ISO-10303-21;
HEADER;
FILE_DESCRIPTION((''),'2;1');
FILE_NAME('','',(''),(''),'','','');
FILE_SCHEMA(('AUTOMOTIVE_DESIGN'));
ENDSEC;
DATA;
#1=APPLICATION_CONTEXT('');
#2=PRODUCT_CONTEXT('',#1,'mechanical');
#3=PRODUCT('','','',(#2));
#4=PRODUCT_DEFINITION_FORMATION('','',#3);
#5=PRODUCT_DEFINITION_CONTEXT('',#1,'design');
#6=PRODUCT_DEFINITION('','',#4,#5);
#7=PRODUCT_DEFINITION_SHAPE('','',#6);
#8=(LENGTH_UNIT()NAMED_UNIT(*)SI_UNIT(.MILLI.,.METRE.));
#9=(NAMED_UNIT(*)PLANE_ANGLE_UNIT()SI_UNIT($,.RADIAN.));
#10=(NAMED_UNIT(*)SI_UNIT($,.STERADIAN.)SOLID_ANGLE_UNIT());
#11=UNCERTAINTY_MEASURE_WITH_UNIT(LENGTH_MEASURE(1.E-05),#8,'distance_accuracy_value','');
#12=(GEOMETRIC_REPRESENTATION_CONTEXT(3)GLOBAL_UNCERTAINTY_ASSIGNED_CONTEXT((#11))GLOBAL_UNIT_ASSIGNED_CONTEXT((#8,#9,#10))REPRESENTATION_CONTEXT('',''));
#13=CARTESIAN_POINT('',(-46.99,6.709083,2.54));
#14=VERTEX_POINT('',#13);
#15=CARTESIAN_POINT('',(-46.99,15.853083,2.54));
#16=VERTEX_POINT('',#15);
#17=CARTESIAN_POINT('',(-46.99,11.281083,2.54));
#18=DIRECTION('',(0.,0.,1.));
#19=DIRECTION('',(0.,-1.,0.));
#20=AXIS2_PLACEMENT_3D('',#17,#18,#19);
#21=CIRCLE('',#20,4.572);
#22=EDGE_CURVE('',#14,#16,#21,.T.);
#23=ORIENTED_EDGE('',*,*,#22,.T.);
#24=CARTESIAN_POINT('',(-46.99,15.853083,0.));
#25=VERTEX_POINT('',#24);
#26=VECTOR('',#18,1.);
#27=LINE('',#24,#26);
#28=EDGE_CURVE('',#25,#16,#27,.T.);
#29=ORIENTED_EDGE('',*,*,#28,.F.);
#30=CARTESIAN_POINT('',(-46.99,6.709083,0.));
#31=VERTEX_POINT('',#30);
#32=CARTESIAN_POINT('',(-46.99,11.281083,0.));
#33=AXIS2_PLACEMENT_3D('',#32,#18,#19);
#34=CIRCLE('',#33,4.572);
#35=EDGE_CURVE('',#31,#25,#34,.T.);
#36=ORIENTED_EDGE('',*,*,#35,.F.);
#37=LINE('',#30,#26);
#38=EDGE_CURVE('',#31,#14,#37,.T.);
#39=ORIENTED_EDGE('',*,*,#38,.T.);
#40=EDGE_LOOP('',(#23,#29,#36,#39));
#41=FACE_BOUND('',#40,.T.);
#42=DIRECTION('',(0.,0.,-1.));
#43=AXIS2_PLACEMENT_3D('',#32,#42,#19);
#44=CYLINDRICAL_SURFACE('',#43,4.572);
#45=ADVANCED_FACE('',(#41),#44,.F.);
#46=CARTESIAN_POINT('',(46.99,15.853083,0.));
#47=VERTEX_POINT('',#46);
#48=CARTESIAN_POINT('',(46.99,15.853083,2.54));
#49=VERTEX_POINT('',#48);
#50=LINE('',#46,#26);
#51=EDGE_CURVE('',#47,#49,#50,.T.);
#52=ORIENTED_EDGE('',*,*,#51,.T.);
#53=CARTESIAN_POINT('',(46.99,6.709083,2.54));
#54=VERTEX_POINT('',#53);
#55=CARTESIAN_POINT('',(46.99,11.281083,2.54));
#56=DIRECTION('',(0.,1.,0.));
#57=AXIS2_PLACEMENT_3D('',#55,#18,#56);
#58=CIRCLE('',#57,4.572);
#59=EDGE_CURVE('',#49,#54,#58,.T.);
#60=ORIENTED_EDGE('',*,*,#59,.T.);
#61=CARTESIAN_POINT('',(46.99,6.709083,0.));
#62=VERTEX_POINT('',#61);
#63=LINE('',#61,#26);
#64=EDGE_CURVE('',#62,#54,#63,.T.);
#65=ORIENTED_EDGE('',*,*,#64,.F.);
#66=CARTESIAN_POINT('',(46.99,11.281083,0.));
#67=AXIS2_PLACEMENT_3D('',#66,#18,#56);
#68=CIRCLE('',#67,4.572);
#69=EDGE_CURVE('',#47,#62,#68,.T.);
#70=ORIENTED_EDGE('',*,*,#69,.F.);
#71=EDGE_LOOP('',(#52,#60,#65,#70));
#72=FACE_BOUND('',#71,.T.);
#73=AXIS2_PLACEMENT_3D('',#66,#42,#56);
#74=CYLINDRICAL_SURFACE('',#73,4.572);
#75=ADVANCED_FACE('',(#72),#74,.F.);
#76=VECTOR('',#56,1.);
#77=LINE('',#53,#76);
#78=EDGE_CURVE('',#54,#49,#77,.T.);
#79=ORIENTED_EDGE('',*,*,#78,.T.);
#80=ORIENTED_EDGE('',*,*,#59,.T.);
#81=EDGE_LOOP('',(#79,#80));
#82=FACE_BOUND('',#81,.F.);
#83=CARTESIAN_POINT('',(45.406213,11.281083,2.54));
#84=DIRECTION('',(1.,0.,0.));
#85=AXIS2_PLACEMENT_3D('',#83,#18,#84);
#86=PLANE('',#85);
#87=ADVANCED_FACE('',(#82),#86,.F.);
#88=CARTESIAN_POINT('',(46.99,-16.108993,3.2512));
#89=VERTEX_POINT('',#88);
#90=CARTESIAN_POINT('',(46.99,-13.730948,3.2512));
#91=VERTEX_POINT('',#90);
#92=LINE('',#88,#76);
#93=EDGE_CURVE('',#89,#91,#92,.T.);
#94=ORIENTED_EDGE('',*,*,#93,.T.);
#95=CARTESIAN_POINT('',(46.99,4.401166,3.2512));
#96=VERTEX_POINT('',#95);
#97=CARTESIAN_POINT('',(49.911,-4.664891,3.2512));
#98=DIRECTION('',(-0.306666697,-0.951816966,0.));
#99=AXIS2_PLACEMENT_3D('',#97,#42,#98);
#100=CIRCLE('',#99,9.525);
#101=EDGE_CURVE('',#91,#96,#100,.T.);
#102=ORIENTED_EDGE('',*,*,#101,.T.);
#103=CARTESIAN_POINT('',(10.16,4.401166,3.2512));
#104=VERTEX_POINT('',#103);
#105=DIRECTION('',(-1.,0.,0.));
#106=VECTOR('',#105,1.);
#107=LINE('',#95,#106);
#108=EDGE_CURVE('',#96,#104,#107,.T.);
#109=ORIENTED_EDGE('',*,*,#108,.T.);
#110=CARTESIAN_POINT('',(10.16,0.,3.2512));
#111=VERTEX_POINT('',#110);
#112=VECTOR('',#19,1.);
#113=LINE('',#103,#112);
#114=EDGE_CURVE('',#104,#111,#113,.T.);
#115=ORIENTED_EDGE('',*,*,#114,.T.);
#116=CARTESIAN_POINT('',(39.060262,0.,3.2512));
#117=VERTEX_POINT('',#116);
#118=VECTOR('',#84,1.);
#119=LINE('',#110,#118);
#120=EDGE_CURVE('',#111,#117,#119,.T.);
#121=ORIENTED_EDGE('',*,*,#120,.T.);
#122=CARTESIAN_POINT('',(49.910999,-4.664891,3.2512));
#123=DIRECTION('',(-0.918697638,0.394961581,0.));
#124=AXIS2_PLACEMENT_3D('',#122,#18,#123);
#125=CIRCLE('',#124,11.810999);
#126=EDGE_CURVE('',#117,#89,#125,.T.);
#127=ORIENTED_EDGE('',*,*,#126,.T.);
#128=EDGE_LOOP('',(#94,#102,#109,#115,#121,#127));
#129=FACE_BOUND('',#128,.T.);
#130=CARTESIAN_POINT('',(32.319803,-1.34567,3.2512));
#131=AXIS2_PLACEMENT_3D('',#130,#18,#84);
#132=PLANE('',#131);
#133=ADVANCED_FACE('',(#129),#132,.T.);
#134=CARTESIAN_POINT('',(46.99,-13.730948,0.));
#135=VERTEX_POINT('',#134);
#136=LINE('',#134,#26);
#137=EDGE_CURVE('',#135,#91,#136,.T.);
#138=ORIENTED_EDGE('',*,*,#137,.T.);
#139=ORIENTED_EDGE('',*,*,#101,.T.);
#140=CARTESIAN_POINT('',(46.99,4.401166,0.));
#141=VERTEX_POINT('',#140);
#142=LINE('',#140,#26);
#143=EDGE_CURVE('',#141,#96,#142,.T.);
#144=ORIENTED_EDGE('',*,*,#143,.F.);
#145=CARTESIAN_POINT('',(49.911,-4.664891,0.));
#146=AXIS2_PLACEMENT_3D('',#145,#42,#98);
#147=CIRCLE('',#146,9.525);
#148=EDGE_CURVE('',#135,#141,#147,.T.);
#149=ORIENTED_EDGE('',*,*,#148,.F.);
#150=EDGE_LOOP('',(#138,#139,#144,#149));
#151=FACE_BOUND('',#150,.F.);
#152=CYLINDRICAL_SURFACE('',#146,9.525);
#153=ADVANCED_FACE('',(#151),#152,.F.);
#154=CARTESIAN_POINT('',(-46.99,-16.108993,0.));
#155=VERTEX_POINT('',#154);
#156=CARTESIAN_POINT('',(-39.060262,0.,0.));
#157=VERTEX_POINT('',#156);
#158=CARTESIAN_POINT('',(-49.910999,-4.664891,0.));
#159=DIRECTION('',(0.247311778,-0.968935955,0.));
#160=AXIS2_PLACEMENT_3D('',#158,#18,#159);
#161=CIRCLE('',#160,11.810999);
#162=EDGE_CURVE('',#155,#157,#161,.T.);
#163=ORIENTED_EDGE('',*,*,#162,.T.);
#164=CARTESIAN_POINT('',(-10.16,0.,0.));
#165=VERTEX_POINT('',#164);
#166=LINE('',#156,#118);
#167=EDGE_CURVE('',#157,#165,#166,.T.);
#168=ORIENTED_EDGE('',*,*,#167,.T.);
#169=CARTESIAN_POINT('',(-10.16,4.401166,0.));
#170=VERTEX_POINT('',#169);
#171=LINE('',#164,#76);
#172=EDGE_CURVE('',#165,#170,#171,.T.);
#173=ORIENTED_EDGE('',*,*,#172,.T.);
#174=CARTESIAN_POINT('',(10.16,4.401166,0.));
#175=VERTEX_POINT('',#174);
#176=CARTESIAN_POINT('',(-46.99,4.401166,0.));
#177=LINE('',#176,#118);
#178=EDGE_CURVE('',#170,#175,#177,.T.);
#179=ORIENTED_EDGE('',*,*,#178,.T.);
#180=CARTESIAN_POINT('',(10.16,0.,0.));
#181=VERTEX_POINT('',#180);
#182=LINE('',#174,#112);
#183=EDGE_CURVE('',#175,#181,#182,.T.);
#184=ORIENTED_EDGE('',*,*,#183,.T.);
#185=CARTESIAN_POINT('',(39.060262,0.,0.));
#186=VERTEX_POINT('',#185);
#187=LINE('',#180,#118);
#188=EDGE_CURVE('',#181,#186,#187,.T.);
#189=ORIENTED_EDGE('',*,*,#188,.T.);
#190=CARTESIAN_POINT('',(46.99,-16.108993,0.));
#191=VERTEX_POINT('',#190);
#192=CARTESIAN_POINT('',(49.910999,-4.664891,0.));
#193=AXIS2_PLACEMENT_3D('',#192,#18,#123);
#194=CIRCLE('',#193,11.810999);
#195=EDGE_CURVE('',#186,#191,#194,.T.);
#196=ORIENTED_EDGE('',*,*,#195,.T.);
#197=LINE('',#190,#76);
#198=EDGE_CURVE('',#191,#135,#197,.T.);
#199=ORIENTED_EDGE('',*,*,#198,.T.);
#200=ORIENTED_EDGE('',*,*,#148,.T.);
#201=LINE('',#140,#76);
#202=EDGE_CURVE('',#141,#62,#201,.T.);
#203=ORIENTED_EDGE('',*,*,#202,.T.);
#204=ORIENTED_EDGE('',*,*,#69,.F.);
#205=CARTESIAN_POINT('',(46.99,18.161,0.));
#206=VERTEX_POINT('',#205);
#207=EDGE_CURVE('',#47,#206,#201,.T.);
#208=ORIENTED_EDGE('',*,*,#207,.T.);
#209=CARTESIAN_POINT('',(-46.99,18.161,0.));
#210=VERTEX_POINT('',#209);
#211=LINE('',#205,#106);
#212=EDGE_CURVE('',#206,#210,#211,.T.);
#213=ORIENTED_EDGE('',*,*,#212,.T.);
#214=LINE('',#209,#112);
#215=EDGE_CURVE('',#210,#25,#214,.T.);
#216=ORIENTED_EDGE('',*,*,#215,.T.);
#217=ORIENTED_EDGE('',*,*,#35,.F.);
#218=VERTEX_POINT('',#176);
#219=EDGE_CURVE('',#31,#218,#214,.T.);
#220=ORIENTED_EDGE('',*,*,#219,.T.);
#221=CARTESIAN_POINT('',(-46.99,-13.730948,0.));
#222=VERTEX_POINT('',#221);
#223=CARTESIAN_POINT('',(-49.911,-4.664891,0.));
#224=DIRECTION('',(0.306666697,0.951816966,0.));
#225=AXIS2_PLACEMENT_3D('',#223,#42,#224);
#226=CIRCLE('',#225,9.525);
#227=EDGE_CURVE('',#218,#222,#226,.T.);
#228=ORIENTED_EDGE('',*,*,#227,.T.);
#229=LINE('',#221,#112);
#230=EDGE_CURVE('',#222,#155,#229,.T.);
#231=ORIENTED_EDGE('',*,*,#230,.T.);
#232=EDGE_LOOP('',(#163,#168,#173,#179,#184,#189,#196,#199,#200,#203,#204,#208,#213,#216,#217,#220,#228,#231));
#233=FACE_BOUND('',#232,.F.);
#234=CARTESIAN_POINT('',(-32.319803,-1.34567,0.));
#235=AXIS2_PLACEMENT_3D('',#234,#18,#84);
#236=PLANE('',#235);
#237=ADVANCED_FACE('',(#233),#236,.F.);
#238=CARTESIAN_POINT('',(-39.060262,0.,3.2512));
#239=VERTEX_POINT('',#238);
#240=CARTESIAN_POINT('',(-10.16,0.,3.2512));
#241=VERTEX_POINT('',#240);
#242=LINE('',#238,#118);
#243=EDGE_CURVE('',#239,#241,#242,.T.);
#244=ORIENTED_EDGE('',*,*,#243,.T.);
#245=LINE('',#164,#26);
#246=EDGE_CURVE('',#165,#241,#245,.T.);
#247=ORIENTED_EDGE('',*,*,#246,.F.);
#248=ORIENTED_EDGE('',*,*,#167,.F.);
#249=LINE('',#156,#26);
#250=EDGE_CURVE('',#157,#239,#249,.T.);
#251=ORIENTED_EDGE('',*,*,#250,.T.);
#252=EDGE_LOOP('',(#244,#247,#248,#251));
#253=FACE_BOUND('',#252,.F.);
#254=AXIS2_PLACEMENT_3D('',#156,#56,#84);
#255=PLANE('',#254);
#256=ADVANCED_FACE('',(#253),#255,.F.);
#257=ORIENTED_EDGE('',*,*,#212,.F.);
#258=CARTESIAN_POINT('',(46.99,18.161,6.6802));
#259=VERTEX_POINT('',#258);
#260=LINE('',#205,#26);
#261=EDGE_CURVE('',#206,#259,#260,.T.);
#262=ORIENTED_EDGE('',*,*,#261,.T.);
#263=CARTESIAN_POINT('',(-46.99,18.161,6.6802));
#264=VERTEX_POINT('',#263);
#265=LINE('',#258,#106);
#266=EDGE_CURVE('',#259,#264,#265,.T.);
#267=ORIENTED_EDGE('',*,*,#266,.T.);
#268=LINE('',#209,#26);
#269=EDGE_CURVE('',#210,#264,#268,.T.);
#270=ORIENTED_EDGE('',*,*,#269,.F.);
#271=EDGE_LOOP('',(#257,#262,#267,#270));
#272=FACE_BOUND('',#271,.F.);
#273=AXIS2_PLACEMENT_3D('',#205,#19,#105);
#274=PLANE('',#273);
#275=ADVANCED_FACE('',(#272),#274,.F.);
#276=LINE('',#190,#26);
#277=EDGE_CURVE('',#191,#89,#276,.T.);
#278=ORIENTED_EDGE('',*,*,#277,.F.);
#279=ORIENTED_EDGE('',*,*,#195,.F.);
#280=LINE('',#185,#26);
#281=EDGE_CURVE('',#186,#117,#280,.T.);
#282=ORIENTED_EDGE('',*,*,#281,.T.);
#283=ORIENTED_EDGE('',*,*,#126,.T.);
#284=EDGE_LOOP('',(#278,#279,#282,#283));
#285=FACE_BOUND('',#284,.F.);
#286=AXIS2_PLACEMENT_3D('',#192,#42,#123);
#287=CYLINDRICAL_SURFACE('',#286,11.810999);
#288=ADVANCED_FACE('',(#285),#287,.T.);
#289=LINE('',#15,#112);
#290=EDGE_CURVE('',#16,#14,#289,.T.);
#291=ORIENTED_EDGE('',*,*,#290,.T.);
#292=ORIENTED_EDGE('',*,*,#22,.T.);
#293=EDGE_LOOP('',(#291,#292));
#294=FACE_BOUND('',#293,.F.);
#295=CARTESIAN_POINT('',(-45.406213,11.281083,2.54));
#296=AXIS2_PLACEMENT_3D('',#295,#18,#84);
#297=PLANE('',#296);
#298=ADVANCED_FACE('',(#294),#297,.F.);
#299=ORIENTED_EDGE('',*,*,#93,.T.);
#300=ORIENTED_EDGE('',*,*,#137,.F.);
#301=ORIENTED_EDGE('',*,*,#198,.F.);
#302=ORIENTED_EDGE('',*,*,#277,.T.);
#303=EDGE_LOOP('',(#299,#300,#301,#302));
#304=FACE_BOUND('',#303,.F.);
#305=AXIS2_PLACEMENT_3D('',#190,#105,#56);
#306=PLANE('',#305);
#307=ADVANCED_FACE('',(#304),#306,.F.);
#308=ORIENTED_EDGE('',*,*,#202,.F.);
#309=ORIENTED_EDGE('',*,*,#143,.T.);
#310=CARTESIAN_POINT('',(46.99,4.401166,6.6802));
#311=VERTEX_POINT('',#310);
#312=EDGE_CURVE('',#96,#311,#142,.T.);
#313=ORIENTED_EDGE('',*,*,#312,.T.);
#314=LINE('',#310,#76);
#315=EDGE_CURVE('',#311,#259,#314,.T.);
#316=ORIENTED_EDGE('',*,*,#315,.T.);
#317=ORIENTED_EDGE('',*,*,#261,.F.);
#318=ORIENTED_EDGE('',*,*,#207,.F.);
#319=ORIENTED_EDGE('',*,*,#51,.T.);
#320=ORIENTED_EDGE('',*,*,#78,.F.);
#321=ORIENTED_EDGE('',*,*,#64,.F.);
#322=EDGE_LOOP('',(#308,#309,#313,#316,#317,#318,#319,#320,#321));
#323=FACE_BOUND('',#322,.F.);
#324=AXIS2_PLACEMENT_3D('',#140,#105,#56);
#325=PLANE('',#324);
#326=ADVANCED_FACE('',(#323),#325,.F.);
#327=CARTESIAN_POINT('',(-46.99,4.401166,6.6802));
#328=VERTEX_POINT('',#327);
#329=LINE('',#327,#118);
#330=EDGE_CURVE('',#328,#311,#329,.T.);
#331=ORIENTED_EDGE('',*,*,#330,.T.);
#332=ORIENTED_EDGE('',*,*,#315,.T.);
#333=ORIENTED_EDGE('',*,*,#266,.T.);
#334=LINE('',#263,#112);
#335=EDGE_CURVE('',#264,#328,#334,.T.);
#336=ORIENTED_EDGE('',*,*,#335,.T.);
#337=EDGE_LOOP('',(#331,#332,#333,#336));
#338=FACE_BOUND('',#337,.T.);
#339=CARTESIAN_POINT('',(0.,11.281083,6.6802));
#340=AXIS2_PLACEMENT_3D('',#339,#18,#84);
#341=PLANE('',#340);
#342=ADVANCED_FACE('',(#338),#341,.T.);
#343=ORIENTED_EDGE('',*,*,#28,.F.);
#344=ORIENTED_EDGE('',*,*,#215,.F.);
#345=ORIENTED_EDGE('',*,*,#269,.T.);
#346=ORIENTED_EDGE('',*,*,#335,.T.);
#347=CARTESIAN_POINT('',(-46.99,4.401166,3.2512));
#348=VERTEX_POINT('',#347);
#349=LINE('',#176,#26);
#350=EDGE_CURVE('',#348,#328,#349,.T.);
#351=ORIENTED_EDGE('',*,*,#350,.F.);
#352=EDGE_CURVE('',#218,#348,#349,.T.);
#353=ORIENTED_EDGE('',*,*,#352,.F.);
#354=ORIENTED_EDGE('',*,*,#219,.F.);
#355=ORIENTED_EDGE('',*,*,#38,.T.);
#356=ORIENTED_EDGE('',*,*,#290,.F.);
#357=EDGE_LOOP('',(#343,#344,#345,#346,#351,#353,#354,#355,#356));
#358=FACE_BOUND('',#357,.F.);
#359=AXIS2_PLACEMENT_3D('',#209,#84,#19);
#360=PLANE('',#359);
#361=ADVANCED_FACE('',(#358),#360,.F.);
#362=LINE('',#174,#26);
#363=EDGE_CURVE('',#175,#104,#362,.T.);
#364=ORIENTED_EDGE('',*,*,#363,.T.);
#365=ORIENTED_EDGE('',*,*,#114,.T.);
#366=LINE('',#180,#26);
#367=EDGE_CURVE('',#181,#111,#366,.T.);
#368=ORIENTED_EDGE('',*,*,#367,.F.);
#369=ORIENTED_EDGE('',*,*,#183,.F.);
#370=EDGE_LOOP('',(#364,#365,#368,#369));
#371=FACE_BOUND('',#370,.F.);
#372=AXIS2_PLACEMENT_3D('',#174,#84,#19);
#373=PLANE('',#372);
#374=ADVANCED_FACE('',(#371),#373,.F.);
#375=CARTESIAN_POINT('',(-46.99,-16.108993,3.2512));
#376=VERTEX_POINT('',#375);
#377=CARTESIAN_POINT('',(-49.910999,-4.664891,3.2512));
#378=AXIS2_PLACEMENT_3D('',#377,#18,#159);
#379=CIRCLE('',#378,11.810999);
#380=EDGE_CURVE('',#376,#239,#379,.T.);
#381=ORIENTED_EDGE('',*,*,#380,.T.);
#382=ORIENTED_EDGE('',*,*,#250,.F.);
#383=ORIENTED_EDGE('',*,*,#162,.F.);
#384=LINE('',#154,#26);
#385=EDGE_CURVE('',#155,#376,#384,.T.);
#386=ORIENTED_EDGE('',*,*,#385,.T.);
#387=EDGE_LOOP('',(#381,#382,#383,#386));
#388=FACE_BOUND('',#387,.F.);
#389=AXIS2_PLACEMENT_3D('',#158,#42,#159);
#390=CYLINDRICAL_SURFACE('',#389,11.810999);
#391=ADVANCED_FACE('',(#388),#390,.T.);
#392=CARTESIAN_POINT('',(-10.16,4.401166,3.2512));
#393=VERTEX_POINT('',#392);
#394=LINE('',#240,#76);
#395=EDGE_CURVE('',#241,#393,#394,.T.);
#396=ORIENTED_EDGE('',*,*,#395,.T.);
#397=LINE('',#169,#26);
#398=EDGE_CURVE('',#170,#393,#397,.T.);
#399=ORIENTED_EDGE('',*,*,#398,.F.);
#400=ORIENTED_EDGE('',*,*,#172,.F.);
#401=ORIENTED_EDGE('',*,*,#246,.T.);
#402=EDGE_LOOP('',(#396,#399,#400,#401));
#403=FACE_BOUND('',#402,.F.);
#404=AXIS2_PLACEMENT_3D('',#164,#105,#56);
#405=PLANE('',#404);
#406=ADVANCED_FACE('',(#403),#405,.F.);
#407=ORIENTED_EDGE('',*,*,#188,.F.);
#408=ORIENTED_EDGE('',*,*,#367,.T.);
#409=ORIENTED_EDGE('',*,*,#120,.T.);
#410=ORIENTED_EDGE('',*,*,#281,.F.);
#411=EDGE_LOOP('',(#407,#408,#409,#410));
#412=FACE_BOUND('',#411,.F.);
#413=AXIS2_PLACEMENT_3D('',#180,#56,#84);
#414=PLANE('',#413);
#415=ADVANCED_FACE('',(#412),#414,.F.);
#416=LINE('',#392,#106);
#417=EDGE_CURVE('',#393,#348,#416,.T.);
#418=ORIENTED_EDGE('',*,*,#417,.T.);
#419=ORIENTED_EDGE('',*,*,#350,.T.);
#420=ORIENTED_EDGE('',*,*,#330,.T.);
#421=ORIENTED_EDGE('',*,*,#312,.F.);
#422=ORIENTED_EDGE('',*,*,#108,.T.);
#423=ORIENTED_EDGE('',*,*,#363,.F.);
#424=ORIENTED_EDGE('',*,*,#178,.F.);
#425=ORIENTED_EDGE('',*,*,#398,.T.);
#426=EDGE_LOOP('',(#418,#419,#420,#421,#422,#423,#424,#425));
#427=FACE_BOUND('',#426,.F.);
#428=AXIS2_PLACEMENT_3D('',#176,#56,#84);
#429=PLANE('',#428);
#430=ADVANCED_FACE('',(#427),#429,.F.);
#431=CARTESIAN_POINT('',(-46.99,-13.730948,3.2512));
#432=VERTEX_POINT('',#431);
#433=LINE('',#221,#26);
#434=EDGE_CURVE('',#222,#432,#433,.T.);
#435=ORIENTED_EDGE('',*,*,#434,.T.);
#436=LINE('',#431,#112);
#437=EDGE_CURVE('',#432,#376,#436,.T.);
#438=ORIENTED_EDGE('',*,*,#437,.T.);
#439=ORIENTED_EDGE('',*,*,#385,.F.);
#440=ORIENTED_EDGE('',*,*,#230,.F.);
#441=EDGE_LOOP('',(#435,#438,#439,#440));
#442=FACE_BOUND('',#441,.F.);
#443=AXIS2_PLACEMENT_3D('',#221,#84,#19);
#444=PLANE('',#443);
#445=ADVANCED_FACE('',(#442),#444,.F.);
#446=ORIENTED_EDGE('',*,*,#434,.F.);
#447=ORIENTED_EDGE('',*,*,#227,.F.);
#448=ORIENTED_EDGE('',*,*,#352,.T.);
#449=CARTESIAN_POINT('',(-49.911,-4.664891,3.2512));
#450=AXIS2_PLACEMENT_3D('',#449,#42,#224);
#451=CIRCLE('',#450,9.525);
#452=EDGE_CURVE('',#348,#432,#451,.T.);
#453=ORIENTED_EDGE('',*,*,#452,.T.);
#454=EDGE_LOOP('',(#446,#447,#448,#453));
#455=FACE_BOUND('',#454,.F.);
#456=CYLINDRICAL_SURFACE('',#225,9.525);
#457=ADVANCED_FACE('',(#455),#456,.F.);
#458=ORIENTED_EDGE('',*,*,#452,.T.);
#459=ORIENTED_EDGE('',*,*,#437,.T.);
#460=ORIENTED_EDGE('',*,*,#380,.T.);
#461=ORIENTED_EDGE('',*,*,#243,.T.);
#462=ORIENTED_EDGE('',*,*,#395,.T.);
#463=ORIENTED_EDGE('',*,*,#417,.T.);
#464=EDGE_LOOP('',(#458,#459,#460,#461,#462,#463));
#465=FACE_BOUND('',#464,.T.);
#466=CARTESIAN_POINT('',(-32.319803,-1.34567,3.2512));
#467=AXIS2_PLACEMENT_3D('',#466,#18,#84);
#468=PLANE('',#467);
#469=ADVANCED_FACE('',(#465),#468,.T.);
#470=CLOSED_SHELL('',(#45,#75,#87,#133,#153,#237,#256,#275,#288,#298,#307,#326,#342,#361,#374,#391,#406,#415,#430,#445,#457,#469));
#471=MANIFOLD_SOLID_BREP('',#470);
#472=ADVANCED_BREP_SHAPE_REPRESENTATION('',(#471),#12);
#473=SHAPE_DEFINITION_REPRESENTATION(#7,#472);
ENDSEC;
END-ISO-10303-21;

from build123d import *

# Parameters (mm, degrees)
F1_DEPTH = 6.6802
F2_DEPTH = 3.2512
F4_DEPTH = 2.54


with BuildPart() as f1:
    # F0 (on Top) → F1 (new body)
    with BuildSketch(Plane.XY):
        Polygon((46.99, 18.161), (-46.99, 18.161), (-46.99, 4.401166), (-10.16, 4.401166), (10.16, 4.401166), (46.99, 4.401166), align=None)
    extrude(amount=F1_DEPTH)

    # F0 (on Top) → F2 (join)
    with BuildSketch(Plane.XY):
        with BuildLine():
            Line((-10.16, 4.401166), (-46.99, 4.401166))
            ThreePointArc((-46.99, 4.401166), (-40.386, -4.664891), (-46.99, -13.730948))
            Line((-46.99, -13.730948), (-46.99, -16.108993))
            ThreePointArc((-46.99, -16.108993), (-39.314297, -9.881174), (-39.060262, 0))
            Line((-39.060262, 0), (-10.16, 0))
            Line((-10.16, 0), (-10.16, 4.401166))
        make_face()
        with BuildLine():
            ThreePointArc((46.99, -13.730948), (40.386, -4.664891), (46.99, 4.401166))
            Line((46.99, 4.401166), (10.16, 4.401166))
            Line((10.16, 4.401166), (10.16, 0))
            Line((10.16, 0), (39.060262, 0))
            ThreePointArc((39.060262, 0), (39.314297, -9.881174), (46.99, -16.108993))
            Line((46.99, -16.108993), (46.99, -13.730948))
        make_face()
    extrude(amount=F2_DEPTH)

    # F3 (on face) → F4 (cut)
    with BuildSketch(Plane.XY):
        with BuildLine():
            Line((-46.99, 15.853083), (-46.99, 6.709083))
            ThreePointArc((-46.99, 6.709083), (-42.418, 11.281083), (-46.99, 15.853083))
        make_face()
        with BuildLine():
            ThreePointArc((46.99, 15.853083), (42.418, 11.281083), (46.99, 6.709083))
            Line((46.99, 6.709083), (46.99, 15.853083))
        make_face()
    extrude(amount=F4_DEPTH, mode=Mode.SUBTRACT)


solid = f1.part
